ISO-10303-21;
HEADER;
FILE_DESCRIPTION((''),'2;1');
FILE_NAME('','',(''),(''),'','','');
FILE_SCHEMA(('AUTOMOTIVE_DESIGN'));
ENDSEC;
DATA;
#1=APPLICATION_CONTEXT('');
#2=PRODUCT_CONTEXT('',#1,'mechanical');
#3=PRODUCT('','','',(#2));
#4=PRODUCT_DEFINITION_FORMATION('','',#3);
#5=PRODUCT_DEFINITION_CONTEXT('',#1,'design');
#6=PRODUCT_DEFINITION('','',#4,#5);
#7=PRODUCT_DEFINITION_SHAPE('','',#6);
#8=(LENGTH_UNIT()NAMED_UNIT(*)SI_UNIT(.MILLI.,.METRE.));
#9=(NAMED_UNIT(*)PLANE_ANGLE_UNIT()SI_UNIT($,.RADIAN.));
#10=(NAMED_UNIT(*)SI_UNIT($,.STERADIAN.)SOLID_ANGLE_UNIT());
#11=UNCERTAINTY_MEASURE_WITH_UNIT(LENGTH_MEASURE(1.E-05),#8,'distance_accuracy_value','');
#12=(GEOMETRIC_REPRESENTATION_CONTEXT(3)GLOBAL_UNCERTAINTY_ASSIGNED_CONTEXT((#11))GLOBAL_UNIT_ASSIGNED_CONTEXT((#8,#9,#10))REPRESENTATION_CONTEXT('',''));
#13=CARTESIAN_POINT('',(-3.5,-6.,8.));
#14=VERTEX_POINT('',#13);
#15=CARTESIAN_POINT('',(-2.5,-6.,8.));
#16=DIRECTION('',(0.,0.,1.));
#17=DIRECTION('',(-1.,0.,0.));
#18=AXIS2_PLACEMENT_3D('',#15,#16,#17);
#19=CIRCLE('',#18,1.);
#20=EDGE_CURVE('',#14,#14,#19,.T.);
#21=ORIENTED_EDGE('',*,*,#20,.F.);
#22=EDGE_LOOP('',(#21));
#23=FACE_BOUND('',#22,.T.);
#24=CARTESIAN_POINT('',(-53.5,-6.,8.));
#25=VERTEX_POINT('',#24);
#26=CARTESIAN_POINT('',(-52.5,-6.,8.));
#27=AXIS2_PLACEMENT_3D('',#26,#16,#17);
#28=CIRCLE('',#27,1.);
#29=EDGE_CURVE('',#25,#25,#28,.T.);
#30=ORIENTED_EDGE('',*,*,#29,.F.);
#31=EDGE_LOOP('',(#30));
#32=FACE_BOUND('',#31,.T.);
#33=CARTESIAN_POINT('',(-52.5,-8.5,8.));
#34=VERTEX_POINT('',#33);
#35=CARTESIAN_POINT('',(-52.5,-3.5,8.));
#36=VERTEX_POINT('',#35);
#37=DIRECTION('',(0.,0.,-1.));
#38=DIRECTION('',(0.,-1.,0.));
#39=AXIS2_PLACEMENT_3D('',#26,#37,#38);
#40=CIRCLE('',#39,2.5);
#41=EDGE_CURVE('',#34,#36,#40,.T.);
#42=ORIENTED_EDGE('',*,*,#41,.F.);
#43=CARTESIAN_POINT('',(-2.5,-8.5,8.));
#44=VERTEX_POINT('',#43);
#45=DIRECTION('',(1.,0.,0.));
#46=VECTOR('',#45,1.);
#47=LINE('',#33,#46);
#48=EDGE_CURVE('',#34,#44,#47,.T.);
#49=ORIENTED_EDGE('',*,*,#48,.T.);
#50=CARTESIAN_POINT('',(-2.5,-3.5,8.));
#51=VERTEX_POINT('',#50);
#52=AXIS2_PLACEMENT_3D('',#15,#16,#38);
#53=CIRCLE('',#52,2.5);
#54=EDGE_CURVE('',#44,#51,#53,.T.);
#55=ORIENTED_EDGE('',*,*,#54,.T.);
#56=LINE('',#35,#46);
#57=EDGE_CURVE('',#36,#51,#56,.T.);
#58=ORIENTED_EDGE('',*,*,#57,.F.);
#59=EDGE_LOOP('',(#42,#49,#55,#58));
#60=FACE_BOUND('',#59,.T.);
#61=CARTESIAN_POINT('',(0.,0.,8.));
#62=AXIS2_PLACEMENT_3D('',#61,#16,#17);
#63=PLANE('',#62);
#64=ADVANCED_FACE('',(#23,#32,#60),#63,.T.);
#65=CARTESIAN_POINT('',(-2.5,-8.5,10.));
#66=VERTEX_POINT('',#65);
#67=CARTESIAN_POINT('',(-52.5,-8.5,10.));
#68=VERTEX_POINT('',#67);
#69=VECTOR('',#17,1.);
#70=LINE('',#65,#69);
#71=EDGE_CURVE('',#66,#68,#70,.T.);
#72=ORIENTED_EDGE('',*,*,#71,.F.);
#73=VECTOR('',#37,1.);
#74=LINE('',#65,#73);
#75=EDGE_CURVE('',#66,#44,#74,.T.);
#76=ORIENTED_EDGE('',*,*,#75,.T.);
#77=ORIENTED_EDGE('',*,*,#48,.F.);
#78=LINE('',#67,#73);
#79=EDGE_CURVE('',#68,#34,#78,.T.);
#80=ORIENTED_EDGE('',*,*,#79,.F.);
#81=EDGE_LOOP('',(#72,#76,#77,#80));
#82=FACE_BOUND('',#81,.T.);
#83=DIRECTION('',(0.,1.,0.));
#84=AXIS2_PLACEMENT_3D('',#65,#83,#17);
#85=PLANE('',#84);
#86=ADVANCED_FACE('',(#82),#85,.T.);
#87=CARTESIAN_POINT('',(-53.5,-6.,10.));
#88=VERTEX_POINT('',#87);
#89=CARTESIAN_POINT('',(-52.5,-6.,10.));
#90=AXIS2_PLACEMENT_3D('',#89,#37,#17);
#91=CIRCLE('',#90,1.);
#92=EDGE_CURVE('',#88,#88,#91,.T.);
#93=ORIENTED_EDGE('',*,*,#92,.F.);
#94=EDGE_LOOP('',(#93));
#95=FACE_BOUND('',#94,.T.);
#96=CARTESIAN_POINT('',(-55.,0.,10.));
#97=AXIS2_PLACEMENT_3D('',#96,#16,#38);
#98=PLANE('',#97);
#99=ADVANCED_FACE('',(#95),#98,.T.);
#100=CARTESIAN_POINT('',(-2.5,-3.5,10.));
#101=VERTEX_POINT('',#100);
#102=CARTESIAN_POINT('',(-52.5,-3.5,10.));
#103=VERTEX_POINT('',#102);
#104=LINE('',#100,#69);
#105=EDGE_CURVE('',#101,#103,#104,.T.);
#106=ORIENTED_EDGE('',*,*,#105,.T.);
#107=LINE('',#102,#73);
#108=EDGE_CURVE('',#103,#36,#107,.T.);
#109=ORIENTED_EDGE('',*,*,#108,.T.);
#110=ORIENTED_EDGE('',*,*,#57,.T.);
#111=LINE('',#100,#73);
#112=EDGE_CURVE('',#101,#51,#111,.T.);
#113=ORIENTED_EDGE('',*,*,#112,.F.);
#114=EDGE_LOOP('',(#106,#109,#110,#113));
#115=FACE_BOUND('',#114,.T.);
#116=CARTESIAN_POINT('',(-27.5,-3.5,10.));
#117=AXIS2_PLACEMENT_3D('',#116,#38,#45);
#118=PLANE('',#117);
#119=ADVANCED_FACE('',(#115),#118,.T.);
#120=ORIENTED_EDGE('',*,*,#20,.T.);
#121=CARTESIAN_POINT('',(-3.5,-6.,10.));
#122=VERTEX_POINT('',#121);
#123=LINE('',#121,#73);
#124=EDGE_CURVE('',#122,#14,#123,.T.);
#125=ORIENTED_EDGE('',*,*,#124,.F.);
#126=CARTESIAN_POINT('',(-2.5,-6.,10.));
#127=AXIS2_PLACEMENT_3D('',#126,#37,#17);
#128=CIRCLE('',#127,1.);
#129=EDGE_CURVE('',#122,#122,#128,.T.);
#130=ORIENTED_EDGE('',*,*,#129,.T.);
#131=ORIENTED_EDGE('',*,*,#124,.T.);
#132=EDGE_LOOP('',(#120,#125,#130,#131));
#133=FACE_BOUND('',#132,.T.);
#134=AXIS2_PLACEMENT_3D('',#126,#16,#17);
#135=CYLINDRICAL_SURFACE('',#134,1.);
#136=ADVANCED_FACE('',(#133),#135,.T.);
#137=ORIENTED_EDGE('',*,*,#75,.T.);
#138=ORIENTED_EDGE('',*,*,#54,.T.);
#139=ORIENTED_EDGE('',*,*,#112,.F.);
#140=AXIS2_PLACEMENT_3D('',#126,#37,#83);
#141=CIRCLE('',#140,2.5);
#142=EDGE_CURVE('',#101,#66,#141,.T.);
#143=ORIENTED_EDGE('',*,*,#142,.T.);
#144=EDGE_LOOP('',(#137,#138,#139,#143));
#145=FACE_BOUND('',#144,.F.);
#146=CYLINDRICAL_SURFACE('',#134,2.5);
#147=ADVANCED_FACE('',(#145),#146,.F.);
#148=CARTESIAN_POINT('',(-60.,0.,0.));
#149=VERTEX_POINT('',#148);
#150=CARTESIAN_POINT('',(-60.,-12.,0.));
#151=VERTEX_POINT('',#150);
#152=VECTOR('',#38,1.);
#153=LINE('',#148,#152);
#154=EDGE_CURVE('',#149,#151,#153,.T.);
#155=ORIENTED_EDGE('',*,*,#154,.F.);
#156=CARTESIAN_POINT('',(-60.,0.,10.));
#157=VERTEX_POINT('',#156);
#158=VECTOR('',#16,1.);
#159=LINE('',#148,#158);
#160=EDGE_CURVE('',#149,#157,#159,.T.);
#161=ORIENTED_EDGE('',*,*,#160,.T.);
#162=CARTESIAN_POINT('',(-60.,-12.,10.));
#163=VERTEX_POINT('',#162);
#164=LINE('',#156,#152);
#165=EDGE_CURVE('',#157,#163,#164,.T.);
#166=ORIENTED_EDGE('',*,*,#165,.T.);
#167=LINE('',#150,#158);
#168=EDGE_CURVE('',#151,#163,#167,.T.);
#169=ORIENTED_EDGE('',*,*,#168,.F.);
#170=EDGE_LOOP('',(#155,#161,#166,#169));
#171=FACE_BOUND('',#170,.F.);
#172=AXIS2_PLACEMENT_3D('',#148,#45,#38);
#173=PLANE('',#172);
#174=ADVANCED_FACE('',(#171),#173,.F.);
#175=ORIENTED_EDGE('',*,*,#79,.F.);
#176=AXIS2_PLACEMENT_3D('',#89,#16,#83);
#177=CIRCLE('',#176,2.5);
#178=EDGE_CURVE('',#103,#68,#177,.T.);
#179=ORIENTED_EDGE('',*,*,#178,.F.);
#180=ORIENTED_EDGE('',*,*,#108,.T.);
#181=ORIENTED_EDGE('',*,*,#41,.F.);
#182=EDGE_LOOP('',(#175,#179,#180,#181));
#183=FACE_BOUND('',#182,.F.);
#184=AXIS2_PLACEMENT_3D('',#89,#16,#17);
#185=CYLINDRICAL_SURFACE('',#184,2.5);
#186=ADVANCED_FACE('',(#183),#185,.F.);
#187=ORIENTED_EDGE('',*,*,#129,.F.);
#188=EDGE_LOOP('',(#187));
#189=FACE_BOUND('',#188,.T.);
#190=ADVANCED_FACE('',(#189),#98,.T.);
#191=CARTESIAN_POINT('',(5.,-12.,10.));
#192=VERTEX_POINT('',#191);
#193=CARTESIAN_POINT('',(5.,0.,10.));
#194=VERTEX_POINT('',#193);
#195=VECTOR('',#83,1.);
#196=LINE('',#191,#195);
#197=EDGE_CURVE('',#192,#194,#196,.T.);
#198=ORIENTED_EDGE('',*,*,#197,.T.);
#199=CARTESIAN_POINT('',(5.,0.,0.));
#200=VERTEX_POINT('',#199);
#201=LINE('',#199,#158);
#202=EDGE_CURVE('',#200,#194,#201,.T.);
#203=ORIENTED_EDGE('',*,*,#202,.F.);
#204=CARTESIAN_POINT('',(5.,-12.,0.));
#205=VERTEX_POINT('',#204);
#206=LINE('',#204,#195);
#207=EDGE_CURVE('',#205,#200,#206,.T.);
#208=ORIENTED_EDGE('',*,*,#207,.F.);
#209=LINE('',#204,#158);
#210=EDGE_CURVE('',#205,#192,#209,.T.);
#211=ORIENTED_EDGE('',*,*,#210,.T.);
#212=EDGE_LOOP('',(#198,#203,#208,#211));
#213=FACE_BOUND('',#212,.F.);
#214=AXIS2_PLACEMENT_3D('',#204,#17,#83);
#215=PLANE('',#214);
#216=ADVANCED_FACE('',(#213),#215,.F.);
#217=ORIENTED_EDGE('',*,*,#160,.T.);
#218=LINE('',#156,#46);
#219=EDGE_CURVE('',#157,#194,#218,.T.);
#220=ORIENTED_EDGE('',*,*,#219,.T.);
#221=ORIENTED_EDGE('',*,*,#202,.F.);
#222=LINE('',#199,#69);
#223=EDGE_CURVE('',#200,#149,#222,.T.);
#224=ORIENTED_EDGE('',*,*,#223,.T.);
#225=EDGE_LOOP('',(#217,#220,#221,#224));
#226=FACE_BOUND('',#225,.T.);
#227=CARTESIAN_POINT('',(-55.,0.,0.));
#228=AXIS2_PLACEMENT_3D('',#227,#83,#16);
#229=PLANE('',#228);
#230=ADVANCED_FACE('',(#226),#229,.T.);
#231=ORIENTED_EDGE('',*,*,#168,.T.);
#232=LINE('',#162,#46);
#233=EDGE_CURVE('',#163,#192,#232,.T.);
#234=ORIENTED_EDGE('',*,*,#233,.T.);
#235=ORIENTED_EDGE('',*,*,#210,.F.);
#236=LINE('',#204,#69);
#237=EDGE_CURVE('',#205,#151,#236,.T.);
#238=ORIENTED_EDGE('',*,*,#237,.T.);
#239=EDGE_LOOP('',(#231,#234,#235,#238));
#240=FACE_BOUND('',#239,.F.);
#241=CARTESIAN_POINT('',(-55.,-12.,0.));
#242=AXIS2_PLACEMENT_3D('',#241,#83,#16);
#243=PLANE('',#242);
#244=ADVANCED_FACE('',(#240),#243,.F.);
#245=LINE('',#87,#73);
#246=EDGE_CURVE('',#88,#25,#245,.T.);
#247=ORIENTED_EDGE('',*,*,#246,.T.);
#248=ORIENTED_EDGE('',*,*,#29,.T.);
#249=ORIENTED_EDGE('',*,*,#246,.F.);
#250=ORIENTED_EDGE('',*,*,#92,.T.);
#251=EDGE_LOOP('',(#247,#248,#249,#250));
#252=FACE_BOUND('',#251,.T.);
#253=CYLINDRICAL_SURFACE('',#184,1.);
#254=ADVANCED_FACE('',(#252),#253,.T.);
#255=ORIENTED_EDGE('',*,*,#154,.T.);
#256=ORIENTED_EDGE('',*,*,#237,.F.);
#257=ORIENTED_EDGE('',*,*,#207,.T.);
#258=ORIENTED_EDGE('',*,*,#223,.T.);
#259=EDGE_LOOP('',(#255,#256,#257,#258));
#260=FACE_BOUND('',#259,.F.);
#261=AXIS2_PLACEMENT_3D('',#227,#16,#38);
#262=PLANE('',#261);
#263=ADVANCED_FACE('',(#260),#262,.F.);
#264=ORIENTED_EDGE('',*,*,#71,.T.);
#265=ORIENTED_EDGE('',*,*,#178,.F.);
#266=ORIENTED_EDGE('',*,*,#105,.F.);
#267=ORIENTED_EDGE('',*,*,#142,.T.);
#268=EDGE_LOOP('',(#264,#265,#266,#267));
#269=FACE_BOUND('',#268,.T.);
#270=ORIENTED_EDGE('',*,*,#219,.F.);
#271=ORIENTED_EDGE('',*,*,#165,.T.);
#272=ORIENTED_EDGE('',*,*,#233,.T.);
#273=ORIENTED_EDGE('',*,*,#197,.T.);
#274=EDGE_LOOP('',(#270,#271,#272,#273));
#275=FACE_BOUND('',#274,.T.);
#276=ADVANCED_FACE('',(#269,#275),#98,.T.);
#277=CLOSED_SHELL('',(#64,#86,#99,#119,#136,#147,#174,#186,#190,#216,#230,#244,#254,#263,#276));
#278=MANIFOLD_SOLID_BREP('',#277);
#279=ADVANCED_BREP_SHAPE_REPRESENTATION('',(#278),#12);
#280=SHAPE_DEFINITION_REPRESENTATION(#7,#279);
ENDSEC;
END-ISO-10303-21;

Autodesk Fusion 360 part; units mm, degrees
sketch "Sketch1" plane through (0, 0, 0) normal (0, 0, 1) x (1, 0, 0)
  line L0 (0, 0) -> (-55, 0)
  line L1 (-55, 0) -> (-55, -12)
  line L2 (-55, -12) -> (0, -12)
  line L3 (0, -12) -> (0, 0)
  dimension "d1" = 12
  dimension "d2" = 55
extrude "Extrude1" add sketch "Sketch1" along normal blind 10
sketch "Sketch2" plane through (0, 0, 10) normal (0, 0, 1) x (-1, 0, 0)
  line L0 (0, 12) -> (0, 0)
  line L1 (0, 0) -> (55, 0)
  line L2 (55, 0) -> (55, 12)
  line L3 (55, 12) -> (0, 12)
  line L4 (0, 6) -> (55, 6)
  line L5 (27.5, 12) -> (27.5, 0)
  line L6 (27.5, 6) -> (2.5, 6)
  line L7 (27.5, 6) -> (52.5, 6)
  circle A0 centre (2.5, 6) radius 1
  circle A1 centre (2.5, 6) radius 2.5
  circle A2 centre (52.5, 6) radius 1
  circle A3 centre (52.5, 6) radius 2.5
  line L8 (2.5, 6) -> (2.5, 3.5)
  line L9 (52.5, 3.5) -> (2.5, 3.5)
  line L10 (2.5, 8.5) -> (52.5, 8.5)
  dimension "d5" = 25
  dimension "d6" = 25
  dimension "d7" = 2
  dimension "d8" = 5
  dimension "d9" = 2
  dimension "d10" = 5
extrude "Extrude2" add 1 faces at (0, -8, 3.3333) along direction (1, 0, 0) blind 5
extrude "Extrude3" add 1 faces at (-55, -4, 3.3333) along direction (-1, 0, 0) blind 5
extrude "Extrude4" cut sketch "Sketch2" against normal blind 2 contours L4 L6 A0 A1 | L4 A0 A1 L8 | L4 L5 L6 A1 L10 | L4 L6 A0 A1 L8 | L4 L5 L6 A1 L9 | L4 L5 L7 A3 L10 | L4 L5 L7 A3 L9 | L4 L7 A2 A3 | L4 L7 A2 A3
